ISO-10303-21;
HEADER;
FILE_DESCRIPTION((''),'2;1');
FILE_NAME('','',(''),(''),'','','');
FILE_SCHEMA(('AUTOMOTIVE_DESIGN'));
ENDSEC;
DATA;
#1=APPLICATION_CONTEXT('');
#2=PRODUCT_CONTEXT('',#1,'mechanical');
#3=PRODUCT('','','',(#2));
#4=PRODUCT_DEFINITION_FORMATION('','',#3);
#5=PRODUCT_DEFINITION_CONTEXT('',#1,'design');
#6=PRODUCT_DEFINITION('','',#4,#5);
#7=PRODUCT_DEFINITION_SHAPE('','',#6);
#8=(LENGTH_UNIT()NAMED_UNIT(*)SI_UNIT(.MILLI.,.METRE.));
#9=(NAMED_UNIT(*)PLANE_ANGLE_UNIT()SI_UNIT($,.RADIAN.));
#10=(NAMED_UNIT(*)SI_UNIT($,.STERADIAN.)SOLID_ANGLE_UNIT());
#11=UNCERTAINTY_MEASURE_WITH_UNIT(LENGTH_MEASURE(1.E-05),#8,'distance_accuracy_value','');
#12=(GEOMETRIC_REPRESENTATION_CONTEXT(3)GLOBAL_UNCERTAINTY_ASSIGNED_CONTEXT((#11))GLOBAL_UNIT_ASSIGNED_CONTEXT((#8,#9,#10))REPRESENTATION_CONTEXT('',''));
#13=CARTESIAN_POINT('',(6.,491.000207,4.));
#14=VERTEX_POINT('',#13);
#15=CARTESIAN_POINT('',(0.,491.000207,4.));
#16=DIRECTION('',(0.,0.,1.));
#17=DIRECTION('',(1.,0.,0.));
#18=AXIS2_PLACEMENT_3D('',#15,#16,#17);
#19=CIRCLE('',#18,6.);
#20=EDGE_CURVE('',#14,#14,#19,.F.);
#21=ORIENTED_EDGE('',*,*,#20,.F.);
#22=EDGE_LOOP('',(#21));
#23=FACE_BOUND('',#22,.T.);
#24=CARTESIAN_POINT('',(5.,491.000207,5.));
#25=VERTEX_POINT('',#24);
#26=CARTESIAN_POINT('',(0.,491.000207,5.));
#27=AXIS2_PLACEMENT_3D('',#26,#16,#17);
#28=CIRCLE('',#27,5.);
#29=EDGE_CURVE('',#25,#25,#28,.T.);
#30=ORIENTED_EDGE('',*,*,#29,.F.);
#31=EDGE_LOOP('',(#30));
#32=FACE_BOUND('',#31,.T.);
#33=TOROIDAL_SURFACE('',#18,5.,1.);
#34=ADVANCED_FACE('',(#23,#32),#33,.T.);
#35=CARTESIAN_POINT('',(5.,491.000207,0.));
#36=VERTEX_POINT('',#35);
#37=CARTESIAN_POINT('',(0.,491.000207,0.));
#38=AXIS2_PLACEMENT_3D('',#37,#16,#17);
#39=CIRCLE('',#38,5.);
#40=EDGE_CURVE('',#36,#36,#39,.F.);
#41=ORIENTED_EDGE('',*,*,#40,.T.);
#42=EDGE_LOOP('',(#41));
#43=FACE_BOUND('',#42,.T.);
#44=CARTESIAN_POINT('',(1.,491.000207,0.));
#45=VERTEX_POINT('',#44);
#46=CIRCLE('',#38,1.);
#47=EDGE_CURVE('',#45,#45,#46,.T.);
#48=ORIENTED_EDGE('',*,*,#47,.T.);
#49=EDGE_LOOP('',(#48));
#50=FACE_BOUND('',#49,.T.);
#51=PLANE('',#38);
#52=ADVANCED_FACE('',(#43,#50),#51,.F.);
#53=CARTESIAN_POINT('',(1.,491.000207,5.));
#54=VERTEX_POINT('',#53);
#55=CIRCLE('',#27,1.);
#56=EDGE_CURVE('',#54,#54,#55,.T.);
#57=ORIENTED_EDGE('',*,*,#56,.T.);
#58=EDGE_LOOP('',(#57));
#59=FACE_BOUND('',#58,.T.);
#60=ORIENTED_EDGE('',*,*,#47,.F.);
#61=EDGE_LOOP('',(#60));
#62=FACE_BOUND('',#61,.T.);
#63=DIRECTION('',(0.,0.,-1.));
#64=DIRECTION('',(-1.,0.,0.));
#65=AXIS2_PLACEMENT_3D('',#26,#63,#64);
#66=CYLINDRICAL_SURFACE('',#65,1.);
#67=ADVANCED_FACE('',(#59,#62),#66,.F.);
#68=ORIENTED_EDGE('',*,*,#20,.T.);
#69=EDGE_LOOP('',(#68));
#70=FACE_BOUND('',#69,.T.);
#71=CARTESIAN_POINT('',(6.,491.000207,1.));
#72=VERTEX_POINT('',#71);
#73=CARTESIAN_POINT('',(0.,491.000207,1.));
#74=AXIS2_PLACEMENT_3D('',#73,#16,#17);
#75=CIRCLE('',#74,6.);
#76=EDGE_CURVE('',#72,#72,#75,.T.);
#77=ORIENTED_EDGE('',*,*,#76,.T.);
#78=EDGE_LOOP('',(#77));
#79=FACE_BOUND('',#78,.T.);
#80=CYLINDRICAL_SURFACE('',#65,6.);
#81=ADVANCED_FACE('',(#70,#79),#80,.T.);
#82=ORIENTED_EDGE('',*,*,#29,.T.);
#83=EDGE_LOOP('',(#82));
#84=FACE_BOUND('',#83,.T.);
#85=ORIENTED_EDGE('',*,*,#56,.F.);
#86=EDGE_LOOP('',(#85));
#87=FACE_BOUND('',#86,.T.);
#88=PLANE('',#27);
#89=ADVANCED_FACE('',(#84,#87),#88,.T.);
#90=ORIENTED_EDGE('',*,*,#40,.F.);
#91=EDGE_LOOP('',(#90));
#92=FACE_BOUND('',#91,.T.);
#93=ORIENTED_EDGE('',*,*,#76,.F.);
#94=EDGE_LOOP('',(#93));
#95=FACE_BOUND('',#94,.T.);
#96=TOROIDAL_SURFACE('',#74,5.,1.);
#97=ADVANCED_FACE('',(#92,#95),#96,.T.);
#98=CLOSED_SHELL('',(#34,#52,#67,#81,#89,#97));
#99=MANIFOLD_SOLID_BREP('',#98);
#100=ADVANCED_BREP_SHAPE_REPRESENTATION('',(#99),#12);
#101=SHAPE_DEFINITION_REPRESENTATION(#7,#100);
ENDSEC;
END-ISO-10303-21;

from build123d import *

# Parameters (mm, degrees)
SKETCH1_R           = 6
SKETCH1_R_2         = 1
BOSS_EXTRUDE1_DEPTH = 5
FILLET1_R           = 1


with BuildPart() as part:
    # Sketch1 → Boss-Extrude1 (new body)
    with BuildSketch(Plane.XY):
        with Locations((0, 491.000207075)):
            Circle(SKETCH1_R)
        with Locations((0, 491.000207075)):
            Circle(SKETCH1_R_2, mode=Mode.SUBTRACT)
    extrude(amount=BOSS_EXTRUDE1_DEPTH)

    # Fillet1
    fillet1_edges = [part.edges().sort_by_distance(p)[0] for p in [
        (-6, 491.000207075, 0),
        (-6, 491.000207075, 5),
    ]]
    fillet(fillet1_edges, radius=FILLET1_R)


solid = part.part
